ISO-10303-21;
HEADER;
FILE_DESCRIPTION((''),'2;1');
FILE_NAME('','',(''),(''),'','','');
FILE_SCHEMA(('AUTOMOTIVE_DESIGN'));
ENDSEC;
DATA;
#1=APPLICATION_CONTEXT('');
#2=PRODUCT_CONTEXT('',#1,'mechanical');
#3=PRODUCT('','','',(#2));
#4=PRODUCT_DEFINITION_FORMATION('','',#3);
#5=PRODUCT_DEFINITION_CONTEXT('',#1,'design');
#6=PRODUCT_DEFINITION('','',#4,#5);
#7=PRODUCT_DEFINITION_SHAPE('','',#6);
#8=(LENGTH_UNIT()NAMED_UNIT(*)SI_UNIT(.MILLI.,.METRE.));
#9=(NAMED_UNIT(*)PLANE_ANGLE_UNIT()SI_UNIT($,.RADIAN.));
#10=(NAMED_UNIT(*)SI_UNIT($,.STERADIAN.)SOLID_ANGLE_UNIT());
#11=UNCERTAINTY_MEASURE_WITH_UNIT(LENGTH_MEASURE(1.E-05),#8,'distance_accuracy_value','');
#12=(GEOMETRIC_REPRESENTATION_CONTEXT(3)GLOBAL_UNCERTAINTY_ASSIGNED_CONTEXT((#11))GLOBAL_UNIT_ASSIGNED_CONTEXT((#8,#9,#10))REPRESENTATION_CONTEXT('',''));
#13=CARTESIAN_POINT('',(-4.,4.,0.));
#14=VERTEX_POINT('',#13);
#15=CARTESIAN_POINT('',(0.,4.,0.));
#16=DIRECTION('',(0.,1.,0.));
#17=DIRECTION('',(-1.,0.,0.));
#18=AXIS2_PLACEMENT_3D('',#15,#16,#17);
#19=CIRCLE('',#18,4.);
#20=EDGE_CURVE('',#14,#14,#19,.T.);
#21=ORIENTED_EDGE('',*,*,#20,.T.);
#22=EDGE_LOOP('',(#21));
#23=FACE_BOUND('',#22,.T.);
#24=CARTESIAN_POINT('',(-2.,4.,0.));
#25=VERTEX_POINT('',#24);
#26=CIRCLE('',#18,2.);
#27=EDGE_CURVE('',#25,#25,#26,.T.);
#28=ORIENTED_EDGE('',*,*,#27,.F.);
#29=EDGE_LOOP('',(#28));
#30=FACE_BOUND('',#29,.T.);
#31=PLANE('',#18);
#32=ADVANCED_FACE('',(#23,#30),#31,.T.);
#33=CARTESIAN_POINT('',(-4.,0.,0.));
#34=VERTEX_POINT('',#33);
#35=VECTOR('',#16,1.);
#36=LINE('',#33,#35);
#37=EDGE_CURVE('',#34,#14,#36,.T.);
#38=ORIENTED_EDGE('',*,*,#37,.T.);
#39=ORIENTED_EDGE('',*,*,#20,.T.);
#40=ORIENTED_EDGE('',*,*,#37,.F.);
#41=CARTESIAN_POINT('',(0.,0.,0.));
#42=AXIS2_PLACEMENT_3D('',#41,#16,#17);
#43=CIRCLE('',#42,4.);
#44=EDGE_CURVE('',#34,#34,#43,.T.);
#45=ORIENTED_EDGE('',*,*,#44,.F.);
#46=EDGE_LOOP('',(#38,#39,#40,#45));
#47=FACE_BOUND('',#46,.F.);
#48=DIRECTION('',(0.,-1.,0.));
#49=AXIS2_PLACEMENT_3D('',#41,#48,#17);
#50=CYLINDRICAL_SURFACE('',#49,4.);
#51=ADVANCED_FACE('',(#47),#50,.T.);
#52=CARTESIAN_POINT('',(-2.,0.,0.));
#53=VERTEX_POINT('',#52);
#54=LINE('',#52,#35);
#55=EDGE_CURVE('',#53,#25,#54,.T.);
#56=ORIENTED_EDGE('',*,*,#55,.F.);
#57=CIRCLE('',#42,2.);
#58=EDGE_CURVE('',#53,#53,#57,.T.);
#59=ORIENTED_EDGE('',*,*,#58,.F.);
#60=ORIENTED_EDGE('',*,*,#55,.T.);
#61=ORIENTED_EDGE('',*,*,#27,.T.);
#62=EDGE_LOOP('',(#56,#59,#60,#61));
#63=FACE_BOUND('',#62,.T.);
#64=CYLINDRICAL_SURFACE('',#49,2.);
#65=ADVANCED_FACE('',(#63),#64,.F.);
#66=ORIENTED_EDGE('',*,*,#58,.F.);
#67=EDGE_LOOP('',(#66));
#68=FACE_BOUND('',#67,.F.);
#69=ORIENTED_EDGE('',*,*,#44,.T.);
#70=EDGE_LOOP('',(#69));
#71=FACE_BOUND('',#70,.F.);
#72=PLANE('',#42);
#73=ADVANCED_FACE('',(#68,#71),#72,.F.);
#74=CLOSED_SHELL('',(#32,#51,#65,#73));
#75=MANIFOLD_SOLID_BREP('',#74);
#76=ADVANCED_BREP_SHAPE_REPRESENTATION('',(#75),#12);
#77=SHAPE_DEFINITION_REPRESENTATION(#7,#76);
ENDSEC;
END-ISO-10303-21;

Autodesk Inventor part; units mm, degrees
ref_plane "YZ Plane" through (0, 0, 0) normal (1, 0, 0) x (0, 1, 0)
ref_plane "XZ Plane" through (0, 0, 0) normal (0, 1, 0) x (-1, 0, 0)
ref_plane "XY Plane" through (0, 0, 0) normal (0, 0, 1) x (1, 0, 0)
sketch "Sketch1" plane through (0, 0, 0) normal (0, 1, 0) x (-1, 0, 0)
  circle A0 centre (0, 0) radius 2
  circle A1 centre (0, 0) radius 4
  dimension "d0" = 4
  dimension "d1" = 8
extrude "Extrusion1" add sketch "Sketch1" along normal blind 4
equation "\"d0\" = hole_diameter"
equation "\"d1\" = ring_diameter"
equation "\"d2\" = ring_height"
equation "\"hole_diameter\" = 4"
equation "\"ring_diameter\" = 8"
equation "\"ring_height\" = 4"
properties part number "gauge_ring"
